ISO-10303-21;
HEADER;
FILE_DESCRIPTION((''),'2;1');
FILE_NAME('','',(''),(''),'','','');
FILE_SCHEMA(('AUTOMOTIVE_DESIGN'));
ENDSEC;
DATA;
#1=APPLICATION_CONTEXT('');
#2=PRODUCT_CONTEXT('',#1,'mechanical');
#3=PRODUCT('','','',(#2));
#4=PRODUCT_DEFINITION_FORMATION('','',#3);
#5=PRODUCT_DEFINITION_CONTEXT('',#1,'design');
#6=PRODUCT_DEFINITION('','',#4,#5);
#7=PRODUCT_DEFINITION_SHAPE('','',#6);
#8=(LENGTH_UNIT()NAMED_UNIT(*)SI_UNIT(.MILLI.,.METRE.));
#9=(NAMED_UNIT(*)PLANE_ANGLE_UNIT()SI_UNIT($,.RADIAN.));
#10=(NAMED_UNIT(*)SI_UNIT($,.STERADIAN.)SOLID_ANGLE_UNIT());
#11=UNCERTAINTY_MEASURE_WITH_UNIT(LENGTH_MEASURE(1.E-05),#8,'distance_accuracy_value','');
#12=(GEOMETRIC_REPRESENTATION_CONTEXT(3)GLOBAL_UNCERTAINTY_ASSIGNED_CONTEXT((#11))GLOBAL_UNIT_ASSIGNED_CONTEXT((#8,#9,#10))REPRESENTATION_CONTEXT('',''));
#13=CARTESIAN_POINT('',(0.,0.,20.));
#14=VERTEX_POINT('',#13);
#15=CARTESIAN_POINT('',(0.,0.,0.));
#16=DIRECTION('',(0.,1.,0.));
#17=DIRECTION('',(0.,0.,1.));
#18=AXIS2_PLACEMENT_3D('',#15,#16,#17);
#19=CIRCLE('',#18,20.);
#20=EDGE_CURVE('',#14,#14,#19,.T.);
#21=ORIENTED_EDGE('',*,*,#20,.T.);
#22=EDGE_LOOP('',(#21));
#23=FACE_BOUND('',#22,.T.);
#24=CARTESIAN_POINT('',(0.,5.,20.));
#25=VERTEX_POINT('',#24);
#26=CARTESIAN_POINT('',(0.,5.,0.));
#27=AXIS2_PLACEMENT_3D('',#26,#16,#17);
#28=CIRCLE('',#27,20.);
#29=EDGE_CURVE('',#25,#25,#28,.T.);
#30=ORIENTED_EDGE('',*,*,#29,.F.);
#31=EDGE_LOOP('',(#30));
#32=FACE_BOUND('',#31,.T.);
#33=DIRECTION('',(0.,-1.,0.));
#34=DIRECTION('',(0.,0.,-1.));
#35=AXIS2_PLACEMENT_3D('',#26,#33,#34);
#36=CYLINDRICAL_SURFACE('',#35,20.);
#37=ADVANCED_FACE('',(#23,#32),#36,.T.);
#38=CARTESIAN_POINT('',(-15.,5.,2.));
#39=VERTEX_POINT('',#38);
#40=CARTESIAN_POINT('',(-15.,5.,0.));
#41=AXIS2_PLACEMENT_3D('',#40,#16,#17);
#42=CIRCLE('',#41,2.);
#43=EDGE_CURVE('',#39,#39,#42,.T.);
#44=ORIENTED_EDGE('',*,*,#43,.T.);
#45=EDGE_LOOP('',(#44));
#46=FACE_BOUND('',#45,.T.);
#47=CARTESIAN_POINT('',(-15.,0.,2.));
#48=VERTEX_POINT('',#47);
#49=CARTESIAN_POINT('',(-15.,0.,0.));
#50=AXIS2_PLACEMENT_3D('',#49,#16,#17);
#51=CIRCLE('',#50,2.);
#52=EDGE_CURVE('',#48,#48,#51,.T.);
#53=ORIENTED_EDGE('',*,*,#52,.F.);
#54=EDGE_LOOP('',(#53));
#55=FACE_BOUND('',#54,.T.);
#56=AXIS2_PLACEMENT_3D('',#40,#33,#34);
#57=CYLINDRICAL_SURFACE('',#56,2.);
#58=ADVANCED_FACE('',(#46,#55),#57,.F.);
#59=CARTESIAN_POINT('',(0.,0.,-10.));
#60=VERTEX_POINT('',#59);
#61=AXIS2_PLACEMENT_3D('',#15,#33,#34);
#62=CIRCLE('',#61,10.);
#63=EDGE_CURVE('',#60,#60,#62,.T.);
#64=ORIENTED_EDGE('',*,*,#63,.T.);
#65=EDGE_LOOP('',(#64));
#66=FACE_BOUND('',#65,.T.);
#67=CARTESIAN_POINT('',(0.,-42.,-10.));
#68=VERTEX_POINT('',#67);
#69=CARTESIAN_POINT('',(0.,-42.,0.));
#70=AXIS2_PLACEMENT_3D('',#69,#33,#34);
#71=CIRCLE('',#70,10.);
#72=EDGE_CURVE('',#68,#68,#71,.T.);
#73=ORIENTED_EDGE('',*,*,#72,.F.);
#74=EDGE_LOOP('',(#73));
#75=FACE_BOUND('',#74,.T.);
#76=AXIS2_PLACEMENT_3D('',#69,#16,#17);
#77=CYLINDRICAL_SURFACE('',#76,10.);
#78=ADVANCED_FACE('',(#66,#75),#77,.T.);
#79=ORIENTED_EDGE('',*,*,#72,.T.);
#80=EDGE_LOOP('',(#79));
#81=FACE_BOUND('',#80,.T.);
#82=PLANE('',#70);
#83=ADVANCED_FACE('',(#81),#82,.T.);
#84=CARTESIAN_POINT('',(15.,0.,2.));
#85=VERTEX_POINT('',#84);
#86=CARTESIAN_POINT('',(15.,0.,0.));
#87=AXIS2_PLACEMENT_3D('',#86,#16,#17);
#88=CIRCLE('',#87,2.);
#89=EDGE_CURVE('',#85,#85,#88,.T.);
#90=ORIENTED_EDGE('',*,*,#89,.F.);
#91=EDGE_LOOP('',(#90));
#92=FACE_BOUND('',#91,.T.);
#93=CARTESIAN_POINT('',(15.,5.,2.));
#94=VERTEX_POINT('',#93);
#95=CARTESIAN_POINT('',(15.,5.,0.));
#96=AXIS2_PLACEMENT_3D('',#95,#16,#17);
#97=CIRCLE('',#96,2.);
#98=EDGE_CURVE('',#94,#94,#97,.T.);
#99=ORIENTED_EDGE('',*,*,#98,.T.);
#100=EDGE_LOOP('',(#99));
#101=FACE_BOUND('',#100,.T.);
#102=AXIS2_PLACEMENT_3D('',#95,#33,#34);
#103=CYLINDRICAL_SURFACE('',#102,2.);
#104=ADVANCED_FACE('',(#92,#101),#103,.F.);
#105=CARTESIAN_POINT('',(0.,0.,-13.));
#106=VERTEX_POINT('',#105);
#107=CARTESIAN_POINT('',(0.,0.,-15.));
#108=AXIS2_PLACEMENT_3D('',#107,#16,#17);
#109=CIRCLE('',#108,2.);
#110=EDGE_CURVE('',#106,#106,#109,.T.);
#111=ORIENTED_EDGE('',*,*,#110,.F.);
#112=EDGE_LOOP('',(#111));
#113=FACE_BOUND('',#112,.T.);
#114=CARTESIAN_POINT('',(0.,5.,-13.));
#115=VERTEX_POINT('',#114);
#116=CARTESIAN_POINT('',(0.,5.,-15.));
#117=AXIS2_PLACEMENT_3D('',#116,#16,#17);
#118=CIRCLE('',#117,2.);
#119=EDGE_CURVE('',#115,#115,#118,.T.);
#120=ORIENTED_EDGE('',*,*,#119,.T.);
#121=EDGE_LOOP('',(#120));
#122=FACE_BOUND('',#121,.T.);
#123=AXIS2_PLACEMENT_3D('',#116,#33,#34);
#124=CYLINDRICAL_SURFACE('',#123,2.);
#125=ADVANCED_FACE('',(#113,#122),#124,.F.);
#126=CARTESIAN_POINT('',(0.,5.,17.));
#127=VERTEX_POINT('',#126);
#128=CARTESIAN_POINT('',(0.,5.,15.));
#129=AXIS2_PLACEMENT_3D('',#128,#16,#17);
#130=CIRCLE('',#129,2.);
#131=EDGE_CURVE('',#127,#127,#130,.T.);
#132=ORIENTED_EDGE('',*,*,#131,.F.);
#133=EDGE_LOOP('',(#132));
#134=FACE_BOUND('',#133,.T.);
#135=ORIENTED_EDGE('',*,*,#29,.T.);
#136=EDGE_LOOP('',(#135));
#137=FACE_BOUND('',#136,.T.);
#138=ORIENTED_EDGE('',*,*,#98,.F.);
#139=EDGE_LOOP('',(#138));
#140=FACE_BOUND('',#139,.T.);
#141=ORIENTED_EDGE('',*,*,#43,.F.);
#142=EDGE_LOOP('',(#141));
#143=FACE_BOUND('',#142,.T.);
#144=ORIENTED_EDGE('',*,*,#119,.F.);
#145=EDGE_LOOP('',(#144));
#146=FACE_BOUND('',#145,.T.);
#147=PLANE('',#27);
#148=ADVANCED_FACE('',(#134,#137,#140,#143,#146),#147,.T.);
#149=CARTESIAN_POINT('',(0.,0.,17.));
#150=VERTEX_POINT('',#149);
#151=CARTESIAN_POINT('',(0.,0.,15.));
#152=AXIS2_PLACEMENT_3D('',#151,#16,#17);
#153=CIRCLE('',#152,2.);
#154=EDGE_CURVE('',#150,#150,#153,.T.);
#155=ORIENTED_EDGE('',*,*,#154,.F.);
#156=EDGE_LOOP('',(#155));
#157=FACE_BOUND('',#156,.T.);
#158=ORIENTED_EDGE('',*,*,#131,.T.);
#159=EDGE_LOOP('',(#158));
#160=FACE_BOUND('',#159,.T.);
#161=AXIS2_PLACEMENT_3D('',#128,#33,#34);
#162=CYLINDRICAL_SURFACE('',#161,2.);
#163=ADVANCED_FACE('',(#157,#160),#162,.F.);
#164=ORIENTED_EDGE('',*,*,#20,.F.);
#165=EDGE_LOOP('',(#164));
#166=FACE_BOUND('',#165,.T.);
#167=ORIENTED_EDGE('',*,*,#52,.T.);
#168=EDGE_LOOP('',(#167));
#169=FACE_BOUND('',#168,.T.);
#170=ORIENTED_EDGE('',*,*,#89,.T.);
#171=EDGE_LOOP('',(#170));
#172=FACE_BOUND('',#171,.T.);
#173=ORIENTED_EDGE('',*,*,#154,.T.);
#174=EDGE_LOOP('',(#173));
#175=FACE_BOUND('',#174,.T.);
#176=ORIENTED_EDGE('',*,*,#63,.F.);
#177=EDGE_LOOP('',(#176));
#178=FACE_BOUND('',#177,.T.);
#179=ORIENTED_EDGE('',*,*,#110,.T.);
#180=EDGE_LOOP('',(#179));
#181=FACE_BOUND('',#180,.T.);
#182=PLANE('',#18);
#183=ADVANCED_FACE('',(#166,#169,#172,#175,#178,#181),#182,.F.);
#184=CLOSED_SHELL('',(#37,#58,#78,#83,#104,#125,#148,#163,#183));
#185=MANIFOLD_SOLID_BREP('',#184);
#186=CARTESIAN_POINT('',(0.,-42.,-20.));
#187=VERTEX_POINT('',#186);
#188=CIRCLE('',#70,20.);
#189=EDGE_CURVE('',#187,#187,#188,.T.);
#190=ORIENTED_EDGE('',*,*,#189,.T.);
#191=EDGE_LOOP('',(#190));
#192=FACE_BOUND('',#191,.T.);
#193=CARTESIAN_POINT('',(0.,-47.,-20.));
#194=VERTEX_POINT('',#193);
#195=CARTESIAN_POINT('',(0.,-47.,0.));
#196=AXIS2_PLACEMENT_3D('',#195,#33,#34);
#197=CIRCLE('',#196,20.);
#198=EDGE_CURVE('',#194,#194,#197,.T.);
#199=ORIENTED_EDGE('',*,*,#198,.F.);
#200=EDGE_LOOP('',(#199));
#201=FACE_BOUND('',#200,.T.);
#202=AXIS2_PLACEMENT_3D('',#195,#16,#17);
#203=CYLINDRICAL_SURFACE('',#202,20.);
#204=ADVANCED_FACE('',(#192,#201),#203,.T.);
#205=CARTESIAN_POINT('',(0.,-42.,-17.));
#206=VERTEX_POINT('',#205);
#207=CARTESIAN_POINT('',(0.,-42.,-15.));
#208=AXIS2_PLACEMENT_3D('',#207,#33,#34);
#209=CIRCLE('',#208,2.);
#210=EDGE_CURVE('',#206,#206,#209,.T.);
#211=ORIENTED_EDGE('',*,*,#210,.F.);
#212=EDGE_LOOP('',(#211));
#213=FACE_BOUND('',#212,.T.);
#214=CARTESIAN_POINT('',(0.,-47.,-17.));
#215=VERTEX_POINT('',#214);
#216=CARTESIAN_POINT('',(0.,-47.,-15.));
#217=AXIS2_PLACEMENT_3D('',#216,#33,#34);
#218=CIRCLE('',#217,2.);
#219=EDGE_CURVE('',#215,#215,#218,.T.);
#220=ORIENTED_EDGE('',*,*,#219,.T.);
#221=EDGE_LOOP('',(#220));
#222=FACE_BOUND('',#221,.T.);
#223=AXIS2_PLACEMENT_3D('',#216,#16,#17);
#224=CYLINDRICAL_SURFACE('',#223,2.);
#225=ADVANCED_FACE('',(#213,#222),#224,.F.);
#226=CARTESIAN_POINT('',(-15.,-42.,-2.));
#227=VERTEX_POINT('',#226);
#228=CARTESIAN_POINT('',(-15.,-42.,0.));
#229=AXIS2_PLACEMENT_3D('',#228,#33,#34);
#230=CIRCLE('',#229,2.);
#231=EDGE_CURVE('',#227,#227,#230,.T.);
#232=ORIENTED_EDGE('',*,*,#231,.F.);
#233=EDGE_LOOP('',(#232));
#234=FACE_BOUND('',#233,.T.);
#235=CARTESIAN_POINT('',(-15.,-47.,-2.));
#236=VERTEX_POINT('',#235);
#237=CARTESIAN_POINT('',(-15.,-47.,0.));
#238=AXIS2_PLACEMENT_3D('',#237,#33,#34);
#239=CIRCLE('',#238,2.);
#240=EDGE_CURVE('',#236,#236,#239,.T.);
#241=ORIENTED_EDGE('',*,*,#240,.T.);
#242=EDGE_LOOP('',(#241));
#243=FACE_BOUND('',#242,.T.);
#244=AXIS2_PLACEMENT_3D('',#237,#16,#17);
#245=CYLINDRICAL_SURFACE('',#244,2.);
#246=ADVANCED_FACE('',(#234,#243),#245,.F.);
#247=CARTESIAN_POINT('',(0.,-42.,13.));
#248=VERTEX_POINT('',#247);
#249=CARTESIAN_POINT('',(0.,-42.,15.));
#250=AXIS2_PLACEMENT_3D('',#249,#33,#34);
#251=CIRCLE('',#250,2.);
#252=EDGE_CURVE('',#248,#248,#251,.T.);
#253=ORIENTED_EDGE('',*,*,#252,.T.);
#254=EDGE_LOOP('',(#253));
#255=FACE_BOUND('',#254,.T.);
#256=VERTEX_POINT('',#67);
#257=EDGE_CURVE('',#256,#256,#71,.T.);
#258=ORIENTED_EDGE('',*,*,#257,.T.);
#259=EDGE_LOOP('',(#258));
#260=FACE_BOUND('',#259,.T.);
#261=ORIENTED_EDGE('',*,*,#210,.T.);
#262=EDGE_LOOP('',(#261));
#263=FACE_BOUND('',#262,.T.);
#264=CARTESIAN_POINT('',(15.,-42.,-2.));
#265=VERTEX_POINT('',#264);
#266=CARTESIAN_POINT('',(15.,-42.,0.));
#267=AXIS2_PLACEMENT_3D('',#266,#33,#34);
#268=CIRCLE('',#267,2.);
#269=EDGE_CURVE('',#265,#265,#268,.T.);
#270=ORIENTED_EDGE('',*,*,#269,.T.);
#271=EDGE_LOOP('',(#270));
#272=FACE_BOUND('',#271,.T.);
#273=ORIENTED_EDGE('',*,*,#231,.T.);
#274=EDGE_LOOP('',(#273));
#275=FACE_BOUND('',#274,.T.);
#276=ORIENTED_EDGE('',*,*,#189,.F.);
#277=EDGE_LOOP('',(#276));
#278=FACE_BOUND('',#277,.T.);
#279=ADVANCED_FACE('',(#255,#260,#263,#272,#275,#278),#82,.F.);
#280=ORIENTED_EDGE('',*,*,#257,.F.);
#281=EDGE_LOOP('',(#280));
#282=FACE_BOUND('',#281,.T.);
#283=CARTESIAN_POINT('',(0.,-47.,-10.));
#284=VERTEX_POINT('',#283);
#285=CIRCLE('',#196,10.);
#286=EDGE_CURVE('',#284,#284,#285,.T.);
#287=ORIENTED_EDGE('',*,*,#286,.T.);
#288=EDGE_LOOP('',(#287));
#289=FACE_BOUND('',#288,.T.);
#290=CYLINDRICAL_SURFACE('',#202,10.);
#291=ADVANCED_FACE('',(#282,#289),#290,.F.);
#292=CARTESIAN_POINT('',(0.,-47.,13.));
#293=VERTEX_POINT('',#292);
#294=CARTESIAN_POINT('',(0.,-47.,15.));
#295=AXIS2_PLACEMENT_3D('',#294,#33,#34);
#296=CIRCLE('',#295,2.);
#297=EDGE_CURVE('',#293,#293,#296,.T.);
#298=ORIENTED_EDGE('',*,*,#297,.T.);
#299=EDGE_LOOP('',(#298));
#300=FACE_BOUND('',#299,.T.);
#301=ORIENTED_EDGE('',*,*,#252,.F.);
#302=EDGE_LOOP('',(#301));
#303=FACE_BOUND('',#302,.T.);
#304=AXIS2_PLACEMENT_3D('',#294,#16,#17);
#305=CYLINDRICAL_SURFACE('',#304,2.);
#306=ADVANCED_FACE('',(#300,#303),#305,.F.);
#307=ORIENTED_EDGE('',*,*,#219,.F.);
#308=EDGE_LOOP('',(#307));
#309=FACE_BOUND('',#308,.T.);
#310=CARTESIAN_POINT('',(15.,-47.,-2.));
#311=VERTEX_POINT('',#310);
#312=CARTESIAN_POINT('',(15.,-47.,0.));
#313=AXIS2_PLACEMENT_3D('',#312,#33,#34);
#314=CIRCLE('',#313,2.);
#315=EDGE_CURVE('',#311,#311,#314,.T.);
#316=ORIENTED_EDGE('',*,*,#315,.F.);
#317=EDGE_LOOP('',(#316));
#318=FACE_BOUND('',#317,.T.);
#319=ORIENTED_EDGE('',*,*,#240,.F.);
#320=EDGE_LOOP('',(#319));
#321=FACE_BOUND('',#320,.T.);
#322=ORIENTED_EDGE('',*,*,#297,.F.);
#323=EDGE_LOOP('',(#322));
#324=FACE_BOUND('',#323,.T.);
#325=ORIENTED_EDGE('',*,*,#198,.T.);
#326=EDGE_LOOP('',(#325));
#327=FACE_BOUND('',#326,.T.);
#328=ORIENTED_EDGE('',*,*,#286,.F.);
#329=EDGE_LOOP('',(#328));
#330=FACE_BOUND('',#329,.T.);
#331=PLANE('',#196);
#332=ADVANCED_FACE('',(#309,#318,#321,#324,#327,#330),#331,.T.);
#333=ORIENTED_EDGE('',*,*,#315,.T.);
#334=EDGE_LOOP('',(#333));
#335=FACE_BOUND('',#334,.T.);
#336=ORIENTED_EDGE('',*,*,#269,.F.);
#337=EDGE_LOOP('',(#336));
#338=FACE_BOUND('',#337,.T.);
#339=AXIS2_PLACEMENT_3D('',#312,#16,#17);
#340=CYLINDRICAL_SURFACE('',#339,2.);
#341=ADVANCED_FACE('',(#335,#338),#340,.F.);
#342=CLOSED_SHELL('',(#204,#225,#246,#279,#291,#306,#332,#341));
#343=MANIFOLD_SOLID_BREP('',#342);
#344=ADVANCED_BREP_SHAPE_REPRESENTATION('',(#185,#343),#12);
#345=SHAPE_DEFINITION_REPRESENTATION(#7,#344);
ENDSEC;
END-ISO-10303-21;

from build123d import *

# Parameters (mm, degrees)
SKETCH1_R           = 20
SKETCH1_R_2         = 2
BOSS_EXTRUDE1_DEPTH = 5
SKETCH2_R           = 10
BOSS_EXTRUDE2_DEPTH = 42
SKETCH3_R           = 20
SKETCH3_R_2         = 10
SKETCH3_R_3         = 2
BOSS_EXTRUDE3_DEPTH = 5


with BuildPart() as part:
    # Sketch1 → Boss-Extrude1 (new body)
    with BuildSketch(Plane(origin=(0, 0, 0), x_dir=(1, 0, 0), z_dir=(0, 1, 0))):
        Circle(SKETCH1_R)
        with Locations((0, 15)):
            Circle(SKETCH1_R_2, mode=Mode.SUBTRACT)
        with Locations((15, 0)):
            Circle(SKETCH1_R_2, mode=Mode.SUBTRACT)
        with Locations((0, -15)):
            Circle(SKETCH1_R_2, mode=Mode.SUBTRACT)
        with Locations((-15, 0)):
            Circle(SKETCH1_R_2, mode=Mode.SUBTRACT)
    extrude(amount=BOSS_EXTRUDE1_DEPTH)

    # Sketch2 → Boss-Extrude2 (add)
    with BuildSketch(Plane.XZ):
        Circle(SKETCH2_R)
    extrude(amount=BOSS_EXTRUDE2_DEPTH)


with BuildPart() as body_2:
    # Sketch3 → Boss-Extrude3 (new body)
    with BuildSketch(Plane.XZ.offset(42)):
        Circle(SKETCH3_R)
        Circle(SKETCH3_R_2, mode=Mode.SUBTRACT)
        with Locations((-15, 0)):
            Circle(SKETCH3_R_3, mode=Mode.SUBTRACT)
        with Locations((0, -15)):
            Circle(SKETCH3_R_3, mode=Mode.SUBTRACT)
        with Locations((15, 0)):
            Circle(SKETCH3_R_3, mode=Mode.SUBTRACT)
        with Locations((0, 15)):
            Circle(SKETCH3_R_3, mode=Mode.SUBTRACT)
    extrude(amount=BOSS_EXTRUDE3_DEPTH)


solid = Compound([part.part, body_2.part])
